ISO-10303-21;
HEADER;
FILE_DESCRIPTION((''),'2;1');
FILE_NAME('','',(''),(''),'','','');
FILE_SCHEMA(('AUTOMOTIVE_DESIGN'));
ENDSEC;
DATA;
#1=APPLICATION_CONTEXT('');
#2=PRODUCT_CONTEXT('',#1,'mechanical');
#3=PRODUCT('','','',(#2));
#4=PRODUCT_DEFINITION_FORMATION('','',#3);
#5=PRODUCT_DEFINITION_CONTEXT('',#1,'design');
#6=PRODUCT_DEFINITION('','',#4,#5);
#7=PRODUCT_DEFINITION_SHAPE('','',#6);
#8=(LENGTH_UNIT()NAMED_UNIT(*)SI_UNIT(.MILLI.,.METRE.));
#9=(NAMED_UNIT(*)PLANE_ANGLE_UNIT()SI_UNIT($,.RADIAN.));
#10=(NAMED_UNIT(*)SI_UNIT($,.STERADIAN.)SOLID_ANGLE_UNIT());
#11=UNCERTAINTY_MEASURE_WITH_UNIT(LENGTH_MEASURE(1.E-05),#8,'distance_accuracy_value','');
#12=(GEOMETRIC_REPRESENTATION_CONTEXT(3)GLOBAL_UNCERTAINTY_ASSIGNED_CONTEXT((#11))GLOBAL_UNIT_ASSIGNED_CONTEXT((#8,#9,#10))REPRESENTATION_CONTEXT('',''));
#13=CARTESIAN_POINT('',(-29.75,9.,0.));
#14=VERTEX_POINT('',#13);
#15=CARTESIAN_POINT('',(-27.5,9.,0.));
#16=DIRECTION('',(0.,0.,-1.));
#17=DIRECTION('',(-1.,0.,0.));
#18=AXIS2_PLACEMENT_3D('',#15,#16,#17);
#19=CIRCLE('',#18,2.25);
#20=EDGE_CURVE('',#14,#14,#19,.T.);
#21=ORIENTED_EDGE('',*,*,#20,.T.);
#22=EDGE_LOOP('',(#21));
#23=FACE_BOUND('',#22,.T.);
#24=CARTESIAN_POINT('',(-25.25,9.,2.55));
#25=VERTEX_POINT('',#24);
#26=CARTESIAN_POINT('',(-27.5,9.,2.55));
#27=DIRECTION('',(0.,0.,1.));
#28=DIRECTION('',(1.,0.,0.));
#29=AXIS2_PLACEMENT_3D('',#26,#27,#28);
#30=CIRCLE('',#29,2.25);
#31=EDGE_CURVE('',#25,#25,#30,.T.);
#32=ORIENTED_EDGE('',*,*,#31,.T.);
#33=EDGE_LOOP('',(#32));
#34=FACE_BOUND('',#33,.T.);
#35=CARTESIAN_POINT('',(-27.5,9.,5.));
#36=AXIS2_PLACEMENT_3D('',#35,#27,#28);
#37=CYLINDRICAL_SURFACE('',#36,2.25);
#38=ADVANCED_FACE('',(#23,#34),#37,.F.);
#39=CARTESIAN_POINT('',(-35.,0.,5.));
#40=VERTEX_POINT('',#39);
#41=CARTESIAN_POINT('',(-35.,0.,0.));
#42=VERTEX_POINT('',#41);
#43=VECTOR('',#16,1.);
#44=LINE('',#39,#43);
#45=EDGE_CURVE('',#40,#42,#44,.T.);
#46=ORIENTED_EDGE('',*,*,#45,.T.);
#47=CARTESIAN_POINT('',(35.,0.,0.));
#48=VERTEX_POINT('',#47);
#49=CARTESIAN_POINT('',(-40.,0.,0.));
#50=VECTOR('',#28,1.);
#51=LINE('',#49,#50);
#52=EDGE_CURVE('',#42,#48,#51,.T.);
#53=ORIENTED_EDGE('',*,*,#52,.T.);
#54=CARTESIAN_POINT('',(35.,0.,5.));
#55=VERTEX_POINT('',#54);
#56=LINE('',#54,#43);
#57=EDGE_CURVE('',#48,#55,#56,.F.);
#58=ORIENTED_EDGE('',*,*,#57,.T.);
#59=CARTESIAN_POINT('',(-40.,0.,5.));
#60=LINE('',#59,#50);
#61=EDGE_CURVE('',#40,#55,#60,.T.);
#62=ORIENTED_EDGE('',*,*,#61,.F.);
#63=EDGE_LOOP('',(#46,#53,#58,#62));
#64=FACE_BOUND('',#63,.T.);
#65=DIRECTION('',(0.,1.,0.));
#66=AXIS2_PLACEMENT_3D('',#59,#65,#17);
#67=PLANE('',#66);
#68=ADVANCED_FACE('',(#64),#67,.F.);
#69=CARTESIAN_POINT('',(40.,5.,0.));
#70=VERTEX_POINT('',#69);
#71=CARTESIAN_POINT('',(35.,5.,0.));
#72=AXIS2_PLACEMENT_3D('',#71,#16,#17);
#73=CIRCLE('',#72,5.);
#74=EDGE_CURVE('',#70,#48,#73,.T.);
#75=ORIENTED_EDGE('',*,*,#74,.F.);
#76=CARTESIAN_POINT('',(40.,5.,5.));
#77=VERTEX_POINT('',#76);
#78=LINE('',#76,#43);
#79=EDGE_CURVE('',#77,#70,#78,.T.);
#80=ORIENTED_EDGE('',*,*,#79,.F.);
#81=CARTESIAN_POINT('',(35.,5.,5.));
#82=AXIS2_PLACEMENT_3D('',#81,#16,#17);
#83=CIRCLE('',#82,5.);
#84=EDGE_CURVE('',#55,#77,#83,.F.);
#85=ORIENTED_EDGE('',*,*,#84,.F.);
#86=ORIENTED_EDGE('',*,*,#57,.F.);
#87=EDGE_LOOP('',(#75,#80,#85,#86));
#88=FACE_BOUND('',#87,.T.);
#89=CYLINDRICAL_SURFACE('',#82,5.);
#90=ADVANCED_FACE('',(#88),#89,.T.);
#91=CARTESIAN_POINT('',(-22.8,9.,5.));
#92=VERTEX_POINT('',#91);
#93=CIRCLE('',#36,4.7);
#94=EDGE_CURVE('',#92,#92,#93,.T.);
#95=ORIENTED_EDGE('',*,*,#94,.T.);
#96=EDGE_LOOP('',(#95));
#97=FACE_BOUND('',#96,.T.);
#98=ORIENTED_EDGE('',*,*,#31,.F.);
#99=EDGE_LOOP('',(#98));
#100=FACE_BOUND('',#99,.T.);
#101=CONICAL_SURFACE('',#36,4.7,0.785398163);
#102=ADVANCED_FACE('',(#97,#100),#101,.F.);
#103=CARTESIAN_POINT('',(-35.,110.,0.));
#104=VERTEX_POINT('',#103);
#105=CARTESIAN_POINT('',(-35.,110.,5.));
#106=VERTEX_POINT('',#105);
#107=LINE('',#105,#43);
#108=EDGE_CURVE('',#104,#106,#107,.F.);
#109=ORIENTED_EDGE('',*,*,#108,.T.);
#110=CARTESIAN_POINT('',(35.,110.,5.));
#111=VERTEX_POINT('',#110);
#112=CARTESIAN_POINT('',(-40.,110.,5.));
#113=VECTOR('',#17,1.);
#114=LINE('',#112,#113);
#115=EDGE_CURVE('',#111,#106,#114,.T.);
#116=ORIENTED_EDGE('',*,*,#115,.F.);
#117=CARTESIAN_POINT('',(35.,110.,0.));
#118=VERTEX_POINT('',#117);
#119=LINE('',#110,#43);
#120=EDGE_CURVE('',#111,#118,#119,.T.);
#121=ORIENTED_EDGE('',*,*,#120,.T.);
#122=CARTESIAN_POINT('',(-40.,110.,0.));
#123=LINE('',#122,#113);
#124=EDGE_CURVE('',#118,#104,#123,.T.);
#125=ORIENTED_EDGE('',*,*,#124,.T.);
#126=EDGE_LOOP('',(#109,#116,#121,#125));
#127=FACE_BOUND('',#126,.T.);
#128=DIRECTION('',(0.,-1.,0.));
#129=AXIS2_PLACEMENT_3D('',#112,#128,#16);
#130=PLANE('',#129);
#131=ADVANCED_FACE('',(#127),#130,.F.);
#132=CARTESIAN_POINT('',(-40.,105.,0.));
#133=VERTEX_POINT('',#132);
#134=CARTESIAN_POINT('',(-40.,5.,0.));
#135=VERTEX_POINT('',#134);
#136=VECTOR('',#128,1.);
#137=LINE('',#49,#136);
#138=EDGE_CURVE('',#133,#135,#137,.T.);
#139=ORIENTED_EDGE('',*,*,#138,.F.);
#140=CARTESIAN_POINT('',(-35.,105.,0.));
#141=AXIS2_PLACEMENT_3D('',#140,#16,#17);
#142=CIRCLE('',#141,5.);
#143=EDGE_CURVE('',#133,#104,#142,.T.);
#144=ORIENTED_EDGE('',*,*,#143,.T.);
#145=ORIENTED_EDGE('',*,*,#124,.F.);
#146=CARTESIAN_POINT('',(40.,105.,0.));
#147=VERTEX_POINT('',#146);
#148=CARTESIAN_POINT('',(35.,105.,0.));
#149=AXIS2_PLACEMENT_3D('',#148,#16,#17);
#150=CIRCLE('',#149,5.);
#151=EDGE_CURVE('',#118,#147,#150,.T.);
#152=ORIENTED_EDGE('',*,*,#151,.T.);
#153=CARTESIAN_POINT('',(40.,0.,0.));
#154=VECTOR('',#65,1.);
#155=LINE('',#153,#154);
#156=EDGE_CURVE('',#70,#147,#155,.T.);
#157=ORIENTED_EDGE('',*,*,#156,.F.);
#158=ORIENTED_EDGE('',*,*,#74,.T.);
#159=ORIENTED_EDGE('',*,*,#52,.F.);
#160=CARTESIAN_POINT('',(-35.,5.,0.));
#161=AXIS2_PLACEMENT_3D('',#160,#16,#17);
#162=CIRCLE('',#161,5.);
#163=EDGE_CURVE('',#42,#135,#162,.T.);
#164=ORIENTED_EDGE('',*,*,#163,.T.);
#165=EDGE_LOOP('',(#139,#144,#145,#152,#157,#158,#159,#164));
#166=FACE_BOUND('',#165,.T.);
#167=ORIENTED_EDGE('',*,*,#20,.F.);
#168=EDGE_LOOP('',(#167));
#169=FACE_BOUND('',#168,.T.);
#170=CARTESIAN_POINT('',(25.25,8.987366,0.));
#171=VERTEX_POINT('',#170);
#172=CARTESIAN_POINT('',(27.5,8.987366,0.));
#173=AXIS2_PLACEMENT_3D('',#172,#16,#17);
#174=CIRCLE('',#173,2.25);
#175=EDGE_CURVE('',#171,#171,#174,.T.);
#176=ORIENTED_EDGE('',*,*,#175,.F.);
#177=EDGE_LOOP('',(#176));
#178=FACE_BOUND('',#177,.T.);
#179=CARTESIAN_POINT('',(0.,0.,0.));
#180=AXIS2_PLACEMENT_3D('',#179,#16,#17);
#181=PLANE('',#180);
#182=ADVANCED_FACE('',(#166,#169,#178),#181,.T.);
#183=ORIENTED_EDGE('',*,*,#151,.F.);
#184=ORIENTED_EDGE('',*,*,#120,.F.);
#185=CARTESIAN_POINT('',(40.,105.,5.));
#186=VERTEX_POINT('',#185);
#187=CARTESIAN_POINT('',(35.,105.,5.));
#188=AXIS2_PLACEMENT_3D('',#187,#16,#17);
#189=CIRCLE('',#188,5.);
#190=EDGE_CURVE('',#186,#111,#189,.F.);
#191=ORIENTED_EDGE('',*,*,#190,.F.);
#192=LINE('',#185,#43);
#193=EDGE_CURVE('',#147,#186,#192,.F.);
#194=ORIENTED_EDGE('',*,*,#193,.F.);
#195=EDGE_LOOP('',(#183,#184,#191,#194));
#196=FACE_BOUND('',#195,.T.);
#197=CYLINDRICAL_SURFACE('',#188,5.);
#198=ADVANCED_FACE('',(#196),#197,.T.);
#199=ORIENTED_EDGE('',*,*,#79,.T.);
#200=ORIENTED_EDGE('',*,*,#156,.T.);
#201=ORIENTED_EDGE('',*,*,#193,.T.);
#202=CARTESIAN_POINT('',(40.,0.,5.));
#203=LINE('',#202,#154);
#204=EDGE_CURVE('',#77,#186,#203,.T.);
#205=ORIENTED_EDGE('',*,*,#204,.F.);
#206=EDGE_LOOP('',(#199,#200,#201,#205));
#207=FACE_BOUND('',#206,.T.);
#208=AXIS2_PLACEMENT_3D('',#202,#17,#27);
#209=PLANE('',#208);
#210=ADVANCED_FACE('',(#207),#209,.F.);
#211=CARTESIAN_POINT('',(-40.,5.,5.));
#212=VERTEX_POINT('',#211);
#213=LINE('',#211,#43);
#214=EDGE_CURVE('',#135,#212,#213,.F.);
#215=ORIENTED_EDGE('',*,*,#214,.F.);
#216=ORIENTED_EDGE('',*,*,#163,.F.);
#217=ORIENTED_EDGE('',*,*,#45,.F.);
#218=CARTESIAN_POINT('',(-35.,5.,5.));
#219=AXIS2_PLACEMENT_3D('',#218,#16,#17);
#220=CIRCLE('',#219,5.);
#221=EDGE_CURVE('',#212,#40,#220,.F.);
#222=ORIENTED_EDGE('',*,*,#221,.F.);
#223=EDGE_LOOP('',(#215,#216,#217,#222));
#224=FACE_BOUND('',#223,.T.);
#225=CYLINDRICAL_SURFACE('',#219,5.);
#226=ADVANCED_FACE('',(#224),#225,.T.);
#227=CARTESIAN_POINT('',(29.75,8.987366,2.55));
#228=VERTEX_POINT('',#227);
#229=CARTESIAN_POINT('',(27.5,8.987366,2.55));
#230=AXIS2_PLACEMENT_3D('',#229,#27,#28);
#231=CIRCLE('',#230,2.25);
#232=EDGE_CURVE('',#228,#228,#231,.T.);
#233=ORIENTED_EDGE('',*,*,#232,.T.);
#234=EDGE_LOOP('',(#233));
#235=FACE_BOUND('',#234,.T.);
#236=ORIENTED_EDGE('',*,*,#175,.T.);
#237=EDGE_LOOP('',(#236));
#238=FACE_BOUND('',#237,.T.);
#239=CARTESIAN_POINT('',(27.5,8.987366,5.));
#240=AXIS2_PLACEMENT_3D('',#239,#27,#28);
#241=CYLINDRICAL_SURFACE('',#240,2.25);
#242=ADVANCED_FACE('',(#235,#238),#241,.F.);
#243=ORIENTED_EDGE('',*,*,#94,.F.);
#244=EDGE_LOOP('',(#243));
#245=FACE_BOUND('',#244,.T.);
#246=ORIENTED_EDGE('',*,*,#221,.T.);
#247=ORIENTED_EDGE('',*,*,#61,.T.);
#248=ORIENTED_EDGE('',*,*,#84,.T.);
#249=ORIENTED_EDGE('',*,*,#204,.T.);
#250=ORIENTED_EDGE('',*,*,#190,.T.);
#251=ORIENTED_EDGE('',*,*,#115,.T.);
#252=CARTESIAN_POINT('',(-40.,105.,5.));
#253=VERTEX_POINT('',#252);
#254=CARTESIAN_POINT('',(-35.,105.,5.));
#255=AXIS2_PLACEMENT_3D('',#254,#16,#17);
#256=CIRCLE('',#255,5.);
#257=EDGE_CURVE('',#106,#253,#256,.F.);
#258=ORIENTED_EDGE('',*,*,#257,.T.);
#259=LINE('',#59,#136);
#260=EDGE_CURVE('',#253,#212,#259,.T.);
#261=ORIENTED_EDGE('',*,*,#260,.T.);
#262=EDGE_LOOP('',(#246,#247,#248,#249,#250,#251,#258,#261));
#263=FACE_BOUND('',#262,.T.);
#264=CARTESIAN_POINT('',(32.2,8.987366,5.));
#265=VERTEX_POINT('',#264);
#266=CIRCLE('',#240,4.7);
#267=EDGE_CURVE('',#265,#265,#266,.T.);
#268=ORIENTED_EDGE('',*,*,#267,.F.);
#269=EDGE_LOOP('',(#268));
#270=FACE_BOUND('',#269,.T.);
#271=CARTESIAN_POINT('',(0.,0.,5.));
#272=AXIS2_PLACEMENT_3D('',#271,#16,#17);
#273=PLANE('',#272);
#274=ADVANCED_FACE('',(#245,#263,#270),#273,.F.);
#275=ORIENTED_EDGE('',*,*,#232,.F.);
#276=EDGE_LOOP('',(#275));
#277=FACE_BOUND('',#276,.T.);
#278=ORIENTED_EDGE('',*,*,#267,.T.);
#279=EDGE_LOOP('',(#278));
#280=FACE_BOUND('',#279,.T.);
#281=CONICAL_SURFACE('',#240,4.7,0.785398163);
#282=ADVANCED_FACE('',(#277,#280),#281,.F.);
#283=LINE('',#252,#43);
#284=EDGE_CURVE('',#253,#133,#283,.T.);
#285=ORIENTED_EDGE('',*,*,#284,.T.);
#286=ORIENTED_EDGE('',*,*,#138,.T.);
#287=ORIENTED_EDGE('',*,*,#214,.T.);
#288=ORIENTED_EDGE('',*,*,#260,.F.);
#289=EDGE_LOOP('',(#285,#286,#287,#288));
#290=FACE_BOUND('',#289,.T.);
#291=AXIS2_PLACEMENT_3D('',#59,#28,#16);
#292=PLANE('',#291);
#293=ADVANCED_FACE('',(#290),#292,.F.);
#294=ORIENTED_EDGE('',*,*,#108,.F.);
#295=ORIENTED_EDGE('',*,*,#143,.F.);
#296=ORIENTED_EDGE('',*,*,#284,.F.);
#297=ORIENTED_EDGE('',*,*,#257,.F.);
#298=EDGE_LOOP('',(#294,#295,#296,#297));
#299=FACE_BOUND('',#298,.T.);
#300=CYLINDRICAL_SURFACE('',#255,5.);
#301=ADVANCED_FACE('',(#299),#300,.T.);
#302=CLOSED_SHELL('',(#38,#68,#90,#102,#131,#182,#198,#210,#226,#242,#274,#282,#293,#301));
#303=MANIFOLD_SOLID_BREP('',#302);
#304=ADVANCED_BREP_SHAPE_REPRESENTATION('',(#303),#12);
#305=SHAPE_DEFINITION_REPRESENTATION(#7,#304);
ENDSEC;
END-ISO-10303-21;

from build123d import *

# Parameters (mm, degrees)
SKETCH1_W                                           = 80
SKETCH1_H                                           = 110
BOSS_EXTRUDE1_DEPTH                                 = 5
FILLET1_R                                           = 5
CSK_FOR_M4_COUNTERSUNK_FLAT_HEAD_SCREW1_D           = 4.5
CSK_FOR_M4_COUNTERSUNK_FLAT_HEAD_SCREW1_DEPTH       = 10
CSK_FOR_M4_COUNTERSUNK_FLAT_HEAD_SCREW1_CSINK_D     = 9.4
CSK_FOR_M4_COUNTERSUNK_FLAT_HEAD_SCREW1_CSINK_ANGLE = 90
CSK_FOR_M4_COUNTERSUNK_FLAT_HEAD_SCREW1_TIP         = 1.351936393


with BuildPart() as part:
    # Sketch1 → Boss-Extrude1 (new body)
    with BuildSketch(Plane.XY):
        with Locations((0, 55)):
            Rectangle(SKETCH1_W, SKETCH1_H)
    extrude(amount=BOSS_EXTRUDE1_DEPTH)

    # Fillet1
    fillet1_edges = [part.edges().sort_by_distance(p)[0] for p in [
        (-40, 110, 2.5),
        (40, 110, 2.5),
        (40, 0, 2.5),
        (-40, 0, 2.5),
    ]]
    fillet(fillet1_edges, radius=FILLET1_R)

    # CSK for M4 Countersunk Flat Head Screw1
    with Locations(Plane.XY.offset(5)):
        with Locations((-27.5, 9), (27.5, 8.987365755)):
            CounterSinkHole(CSK_FOR_M4_COUNTERSUNK_FLAT_HEAD_SCREW1_D / 2, CSK_FOR_M4_COUNTERSUNK_FLAT_HEAD_SCREW1_CSINK_D / 2, depth=CSK_FOR_M4_COUNTERSUNK_FLAT_HEAD_SCREW1_DEPTH, counter_sink_angle=CSK_FOR_M4_COUNTERSUNK_FLAT_HEAD_SCREW1_CSINK_ANGLE)
            with Locations((0, 0, -(CSK_FOR_M4_COUNTERSUNK_FLAT_HEAD_SCREW1_DEPTH + CSK_FOR_M4_COUNTERSUNK_FLAT_HEAD_SCREW1_TIP / 2))):  # 118° drill point
                Cone(0, CSK_FOR_M4_COUNTERSUNK_FLAT_HEAD_SCREW1_D / 2, CSK_FOR_M4_COUNTERSUNK_FLAT_HEAD_SCREW1_TIP, mode=Mode.SUBTRACT)


solid = part.part
